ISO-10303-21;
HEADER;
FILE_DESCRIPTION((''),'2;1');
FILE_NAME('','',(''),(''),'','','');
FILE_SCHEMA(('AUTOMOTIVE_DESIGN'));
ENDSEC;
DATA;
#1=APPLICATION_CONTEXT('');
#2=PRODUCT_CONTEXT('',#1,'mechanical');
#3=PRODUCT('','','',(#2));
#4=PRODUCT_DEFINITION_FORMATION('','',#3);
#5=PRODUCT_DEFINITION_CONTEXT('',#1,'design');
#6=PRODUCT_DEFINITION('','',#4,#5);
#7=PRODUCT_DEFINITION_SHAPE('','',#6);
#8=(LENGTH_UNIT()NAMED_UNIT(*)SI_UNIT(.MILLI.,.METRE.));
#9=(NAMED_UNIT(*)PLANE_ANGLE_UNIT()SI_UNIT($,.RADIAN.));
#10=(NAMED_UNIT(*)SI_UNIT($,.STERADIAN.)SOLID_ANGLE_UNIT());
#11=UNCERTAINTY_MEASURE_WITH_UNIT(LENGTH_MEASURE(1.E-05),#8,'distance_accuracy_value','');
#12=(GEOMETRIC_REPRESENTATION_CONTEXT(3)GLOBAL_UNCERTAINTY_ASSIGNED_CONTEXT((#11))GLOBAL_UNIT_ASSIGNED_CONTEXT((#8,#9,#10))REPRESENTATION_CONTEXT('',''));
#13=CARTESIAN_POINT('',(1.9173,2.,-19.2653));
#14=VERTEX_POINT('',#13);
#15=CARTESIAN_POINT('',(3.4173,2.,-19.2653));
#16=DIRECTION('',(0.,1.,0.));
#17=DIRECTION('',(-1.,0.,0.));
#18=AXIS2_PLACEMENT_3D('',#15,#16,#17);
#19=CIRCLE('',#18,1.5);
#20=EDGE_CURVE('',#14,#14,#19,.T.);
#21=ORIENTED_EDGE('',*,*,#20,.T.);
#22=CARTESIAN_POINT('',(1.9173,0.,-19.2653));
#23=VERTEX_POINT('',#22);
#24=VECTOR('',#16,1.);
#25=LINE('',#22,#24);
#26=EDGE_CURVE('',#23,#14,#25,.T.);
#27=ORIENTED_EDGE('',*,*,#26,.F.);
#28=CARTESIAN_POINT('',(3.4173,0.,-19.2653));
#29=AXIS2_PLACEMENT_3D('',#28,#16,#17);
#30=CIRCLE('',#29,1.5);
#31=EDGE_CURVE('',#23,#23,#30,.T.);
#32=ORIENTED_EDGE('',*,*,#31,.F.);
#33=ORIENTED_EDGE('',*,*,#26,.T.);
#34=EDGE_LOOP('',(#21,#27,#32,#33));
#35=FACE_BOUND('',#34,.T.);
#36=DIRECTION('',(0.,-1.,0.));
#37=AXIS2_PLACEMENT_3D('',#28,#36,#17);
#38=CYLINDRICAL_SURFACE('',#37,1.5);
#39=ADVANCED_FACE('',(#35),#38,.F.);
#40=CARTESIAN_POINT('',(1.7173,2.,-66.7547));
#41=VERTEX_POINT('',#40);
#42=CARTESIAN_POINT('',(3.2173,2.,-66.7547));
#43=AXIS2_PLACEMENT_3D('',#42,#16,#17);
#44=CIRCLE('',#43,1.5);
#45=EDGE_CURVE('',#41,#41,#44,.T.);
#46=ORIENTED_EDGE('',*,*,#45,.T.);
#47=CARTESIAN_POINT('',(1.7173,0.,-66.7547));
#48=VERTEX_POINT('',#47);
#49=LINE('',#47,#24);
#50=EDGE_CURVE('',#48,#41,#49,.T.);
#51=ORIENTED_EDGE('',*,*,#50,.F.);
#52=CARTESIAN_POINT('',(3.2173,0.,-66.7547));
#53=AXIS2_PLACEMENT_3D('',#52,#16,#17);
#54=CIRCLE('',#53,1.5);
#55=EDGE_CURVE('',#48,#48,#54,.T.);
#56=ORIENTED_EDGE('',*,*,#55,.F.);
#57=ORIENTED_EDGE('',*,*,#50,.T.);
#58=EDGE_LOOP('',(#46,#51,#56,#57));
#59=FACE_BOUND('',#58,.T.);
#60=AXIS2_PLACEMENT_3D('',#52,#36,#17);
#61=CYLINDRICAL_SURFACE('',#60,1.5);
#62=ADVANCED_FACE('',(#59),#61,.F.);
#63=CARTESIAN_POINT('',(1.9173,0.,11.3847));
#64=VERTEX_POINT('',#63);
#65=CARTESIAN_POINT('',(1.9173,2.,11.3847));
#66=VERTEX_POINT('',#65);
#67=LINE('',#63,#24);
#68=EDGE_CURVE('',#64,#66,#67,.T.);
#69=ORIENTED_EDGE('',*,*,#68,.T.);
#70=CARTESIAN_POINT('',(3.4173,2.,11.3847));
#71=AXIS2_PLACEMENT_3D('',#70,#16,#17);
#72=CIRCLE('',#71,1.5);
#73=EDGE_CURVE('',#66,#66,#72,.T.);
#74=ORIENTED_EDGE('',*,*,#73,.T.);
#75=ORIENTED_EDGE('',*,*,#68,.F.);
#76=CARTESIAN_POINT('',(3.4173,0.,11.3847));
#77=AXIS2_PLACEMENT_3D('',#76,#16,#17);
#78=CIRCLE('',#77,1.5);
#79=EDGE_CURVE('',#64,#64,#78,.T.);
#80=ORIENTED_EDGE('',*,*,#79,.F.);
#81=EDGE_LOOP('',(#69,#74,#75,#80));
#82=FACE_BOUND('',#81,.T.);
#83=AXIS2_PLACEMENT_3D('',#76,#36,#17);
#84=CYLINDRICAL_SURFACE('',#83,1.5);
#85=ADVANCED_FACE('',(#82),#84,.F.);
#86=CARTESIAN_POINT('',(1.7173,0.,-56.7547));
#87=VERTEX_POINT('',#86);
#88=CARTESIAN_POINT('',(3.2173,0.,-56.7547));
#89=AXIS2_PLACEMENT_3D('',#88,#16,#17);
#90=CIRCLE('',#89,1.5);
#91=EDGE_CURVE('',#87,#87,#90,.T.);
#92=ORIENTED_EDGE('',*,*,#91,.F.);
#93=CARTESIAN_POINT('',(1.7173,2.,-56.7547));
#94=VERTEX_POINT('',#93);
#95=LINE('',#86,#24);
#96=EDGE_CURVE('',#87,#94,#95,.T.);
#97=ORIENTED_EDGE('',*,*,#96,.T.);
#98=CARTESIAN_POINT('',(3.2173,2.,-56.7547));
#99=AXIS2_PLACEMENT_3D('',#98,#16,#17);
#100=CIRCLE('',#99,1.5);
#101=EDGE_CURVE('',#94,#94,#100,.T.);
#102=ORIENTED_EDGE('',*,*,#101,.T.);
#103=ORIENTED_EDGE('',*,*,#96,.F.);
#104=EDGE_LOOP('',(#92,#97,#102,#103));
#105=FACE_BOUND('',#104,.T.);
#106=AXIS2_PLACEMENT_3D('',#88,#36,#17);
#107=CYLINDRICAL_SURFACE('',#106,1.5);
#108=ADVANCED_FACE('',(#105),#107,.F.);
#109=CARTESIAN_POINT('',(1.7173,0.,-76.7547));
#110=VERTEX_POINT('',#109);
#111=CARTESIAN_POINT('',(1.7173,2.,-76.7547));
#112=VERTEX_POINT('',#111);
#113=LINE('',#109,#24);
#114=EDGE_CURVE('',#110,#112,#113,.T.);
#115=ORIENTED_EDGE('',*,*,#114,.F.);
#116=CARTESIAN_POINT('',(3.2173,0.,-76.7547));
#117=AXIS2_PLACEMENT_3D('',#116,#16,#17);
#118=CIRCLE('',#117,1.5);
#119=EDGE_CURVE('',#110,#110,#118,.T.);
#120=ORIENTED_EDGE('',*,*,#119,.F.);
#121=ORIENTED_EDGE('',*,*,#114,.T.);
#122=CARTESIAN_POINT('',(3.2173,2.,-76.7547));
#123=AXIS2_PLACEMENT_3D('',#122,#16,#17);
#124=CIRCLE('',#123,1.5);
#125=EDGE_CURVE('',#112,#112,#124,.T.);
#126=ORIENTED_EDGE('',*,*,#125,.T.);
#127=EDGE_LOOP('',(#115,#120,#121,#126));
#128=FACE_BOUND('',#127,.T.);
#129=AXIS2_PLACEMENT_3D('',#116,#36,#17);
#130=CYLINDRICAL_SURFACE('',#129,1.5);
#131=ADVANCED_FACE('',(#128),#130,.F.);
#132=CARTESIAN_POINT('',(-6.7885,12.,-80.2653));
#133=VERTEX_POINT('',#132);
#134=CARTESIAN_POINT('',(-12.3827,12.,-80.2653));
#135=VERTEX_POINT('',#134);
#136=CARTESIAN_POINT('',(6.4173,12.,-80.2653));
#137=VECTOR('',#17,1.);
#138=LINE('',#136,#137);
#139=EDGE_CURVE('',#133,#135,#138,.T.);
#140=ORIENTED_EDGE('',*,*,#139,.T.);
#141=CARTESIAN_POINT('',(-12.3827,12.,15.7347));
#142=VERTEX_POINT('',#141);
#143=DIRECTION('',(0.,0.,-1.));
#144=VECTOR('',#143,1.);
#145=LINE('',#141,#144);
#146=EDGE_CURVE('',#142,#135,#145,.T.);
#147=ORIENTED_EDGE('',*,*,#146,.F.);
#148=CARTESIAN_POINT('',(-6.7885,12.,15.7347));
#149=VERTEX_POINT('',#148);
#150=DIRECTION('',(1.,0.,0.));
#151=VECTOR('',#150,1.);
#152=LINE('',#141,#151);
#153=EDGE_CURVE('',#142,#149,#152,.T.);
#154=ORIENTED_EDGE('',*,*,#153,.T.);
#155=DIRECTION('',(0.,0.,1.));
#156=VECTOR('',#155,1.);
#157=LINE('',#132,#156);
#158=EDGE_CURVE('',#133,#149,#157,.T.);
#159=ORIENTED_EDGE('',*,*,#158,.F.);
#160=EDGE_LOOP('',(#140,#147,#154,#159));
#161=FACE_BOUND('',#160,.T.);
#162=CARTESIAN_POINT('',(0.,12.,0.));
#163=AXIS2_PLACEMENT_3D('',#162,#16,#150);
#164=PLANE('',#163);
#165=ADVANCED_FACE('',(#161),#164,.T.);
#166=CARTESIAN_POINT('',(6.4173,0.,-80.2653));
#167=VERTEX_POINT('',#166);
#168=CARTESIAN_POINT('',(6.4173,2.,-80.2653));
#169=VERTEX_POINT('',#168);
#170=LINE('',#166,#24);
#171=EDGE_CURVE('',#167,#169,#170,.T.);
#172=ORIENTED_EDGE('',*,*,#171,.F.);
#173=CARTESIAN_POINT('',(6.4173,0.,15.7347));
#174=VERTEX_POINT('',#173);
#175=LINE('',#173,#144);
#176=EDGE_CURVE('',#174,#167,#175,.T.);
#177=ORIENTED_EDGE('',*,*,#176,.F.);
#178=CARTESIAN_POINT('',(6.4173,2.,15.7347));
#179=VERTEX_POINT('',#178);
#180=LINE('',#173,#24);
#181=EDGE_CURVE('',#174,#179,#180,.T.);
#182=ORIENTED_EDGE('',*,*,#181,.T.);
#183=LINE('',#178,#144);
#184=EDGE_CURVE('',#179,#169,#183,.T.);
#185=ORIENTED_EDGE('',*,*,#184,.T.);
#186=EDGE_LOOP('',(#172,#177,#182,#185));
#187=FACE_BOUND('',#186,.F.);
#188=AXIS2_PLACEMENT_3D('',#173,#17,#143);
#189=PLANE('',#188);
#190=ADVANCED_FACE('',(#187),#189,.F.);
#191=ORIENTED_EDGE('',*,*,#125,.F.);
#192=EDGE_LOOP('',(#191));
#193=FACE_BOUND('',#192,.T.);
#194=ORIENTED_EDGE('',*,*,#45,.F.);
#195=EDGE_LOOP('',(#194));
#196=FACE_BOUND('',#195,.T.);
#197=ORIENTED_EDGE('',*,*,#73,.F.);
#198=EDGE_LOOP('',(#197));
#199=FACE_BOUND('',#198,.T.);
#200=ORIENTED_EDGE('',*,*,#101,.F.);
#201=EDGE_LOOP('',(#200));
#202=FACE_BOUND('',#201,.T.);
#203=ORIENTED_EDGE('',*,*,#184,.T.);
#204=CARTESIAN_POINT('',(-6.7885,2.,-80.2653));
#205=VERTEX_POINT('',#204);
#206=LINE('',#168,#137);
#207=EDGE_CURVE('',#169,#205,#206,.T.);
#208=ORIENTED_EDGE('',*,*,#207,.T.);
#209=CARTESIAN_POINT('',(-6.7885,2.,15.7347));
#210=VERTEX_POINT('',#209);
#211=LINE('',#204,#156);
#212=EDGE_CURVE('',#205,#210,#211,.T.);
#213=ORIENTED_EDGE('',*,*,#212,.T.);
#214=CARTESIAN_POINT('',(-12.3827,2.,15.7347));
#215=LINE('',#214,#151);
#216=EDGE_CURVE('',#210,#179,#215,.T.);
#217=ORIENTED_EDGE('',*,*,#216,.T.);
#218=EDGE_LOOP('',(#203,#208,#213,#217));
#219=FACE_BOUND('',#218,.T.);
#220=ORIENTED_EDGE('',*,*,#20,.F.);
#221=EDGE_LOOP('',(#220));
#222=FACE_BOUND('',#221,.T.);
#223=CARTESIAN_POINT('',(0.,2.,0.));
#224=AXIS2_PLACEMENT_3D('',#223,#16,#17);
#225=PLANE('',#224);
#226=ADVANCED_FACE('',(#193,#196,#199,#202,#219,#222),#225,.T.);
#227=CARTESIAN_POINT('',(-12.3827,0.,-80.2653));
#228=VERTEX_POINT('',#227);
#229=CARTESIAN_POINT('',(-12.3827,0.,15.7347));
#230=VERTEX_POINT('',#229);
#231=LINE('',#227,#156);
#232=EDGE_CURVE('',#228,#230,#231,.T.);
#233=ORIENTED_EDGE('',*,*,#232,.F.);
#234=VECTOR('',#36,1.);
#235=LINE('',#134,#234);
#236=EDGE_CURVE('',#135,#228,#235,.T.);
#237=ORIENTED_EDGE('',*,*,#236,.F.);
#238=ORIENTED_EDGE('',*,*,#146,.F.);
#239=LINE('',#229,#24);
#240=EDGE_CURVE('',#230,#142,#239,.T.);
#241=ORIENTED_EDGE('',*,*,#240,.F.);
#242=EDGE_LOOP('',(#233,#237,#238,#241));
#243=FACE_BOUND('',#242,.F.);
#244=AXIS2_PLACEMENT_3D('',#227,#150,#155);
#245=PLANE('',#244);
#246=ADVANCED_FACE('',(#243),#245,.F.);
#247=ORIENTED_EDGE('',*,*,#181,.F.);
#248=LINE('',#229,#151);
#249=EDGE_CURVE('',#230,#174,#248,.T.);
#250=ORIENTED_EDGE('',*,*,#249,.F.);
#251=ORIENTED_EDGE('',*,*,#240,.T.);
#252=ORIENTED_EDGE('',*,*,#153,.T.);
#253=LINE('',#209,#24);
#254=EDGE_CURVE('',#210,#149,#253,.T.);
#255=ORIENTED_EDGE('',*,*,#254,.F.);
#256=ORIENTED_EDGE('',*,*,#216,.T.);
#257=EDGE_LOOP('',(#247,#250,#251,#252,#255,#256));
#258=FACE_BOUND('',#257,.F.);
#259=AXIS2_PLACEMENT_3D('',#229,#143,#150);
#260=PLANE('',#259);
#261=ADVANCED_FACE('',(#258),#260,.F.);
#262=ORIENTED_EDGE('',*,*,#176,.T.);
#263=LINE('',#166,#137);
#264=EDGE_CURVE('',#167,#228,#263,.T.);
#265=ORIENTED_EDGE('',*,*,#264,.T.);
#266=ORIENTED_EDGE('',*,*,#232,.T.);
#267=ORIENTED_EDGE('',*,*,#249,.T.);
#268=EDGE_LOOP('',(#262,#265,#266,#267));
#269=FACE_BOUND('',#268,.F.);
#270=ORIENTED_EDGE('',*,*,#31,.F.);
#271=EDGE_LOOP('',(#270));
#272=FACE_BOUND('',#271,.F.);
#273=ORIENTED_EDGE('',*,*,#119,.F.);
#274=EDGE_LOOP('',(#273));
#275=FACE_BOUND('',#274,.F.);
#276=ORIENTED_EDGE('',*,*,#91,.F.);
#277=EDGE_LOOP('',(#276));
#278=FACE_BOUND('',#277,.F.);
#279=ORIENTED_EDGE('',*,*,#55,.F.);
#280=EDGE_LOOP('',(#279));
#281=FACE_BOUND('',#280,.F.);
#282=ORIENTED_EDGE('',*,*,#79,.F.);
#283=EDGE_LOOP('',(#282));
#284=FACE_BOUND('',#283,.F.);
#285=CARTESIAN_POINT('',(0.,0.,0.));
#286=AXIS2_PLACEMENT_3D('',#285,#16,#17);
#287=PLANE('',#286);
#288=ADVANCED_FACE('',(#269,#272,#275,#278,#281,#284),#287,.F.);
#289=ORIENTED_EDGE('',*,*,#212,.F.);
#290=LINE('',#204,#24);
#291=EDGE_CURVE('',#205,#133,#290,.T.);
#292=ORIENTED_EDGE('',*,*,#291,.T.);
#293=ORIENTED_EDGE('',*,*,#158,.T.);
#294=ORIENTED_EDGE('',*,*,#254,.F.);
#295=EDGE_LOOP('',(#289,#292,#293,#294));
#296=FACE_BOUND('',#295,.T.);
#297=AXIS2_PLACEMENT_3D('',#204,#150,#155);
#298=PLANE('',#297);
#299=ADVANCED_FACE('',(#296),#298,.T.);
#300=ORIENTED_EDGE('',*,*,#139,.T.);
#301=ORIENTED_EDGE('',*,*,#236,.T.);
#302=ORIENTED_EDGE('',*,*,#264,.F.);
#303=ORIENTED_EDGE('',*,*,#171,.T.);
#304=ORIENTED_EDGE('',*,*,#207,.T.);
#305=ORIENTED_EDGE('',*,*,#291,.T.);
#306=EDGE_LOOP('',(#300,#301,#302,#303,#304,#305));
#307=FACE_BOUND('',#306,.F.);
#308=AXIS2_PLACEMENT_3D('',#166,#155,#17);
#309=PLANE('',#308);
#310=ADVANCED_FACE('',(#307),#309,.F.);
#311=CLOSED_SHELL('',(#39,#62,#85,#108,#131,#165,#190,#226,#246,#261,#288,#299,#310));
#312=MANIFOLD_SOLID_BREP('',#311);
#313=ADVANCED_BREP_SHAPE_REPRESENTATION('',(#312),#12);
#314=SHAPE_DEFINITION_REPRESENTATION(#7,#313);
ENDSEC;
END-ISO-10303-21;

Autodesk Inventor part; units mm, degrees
ref_plane "YZ Plane" through (0, 0, 0) normal (1, 0, 0) x (0, 1, 0)
ref_plane "XZ Plane" through (0, 0, 0) normal (0, 1, 0) x (-1, 0, 0)
ref_plane "XY Plane" through (0, 0, 0) normal (0, 0, 1) x (1, 0, 0)
sketch "Sketch1" plane through (0, 0, 0) normal (0, 1, 0) x (-1, 0, 0)
  line L0 (12.3827, 15.7347) -> (-6.4173, 15.7347)
  line L1 (-6.4173, 15.7347) -> (-6.4173, -80.2653)
  line L2 (-6.4173, -80.2653) -> (12.3827, -80.2653)
  line L3 (12.3827, -80.2653) -> (12.3827, 15.7347)
  circle A0 centre (-3.4173, 11.3847) radius 1.5
  circle A1 centre (-3.4173, -19.2653) radius 1.5
  circle A2 centre (-3.2173, -76.7547) radius 1.5
  circle A3 centre (-3.2173, -66.7547) radius 1.5
  circle A4 centre (-3.2173, -56.7547) radius 1.5
  point P0 (0, 0)
  dimension "d0" = 3
  dimension "d1" = 18.8
  dimension "d2" = 96
  dimension "d3" = 3
  dimension "d4" = 30.65
  dimension "d5" = 35
  dimension "d6" = 3
  dimension "d7" = 3
  dimension "d8" = 3
  dimension "d9" = 3
  dimension "d10" = 3
  dimension "d11" = 10
  dimension "d12" = 10
  dimension "d13" = 3.2
extrude "Extrusion1" add sketch "Sketch1" along normal blind 2
sketch "Sketch2" plane through (0, 2, 0) normal (0, 1, 0) x (1, 0, 0)
  line L0 (6.4173, 80.2653) -> (-12.3827, 80.2653) projected
  line L1 (-12.3827, -15.7347) -> (6.4173, -15.7347) projected
  line L2 (-12.3827, 80.2653) -> (-6.7885, 80.2653)
  line L3 (-6.7885, 80.2653) -> (-6.7885, -15.7347)
  line L4 (-6.7885, -15.7347) -> (-12.3827, -15.7347)
  line L5 (-12.3827, -15.7347) -> (-12.3827, 80.2653)
  point P0 (0, 0)
extrude "Extrusion2" add sketch "Sketch2" along normal blind 10
properties part number "connectStepper"
